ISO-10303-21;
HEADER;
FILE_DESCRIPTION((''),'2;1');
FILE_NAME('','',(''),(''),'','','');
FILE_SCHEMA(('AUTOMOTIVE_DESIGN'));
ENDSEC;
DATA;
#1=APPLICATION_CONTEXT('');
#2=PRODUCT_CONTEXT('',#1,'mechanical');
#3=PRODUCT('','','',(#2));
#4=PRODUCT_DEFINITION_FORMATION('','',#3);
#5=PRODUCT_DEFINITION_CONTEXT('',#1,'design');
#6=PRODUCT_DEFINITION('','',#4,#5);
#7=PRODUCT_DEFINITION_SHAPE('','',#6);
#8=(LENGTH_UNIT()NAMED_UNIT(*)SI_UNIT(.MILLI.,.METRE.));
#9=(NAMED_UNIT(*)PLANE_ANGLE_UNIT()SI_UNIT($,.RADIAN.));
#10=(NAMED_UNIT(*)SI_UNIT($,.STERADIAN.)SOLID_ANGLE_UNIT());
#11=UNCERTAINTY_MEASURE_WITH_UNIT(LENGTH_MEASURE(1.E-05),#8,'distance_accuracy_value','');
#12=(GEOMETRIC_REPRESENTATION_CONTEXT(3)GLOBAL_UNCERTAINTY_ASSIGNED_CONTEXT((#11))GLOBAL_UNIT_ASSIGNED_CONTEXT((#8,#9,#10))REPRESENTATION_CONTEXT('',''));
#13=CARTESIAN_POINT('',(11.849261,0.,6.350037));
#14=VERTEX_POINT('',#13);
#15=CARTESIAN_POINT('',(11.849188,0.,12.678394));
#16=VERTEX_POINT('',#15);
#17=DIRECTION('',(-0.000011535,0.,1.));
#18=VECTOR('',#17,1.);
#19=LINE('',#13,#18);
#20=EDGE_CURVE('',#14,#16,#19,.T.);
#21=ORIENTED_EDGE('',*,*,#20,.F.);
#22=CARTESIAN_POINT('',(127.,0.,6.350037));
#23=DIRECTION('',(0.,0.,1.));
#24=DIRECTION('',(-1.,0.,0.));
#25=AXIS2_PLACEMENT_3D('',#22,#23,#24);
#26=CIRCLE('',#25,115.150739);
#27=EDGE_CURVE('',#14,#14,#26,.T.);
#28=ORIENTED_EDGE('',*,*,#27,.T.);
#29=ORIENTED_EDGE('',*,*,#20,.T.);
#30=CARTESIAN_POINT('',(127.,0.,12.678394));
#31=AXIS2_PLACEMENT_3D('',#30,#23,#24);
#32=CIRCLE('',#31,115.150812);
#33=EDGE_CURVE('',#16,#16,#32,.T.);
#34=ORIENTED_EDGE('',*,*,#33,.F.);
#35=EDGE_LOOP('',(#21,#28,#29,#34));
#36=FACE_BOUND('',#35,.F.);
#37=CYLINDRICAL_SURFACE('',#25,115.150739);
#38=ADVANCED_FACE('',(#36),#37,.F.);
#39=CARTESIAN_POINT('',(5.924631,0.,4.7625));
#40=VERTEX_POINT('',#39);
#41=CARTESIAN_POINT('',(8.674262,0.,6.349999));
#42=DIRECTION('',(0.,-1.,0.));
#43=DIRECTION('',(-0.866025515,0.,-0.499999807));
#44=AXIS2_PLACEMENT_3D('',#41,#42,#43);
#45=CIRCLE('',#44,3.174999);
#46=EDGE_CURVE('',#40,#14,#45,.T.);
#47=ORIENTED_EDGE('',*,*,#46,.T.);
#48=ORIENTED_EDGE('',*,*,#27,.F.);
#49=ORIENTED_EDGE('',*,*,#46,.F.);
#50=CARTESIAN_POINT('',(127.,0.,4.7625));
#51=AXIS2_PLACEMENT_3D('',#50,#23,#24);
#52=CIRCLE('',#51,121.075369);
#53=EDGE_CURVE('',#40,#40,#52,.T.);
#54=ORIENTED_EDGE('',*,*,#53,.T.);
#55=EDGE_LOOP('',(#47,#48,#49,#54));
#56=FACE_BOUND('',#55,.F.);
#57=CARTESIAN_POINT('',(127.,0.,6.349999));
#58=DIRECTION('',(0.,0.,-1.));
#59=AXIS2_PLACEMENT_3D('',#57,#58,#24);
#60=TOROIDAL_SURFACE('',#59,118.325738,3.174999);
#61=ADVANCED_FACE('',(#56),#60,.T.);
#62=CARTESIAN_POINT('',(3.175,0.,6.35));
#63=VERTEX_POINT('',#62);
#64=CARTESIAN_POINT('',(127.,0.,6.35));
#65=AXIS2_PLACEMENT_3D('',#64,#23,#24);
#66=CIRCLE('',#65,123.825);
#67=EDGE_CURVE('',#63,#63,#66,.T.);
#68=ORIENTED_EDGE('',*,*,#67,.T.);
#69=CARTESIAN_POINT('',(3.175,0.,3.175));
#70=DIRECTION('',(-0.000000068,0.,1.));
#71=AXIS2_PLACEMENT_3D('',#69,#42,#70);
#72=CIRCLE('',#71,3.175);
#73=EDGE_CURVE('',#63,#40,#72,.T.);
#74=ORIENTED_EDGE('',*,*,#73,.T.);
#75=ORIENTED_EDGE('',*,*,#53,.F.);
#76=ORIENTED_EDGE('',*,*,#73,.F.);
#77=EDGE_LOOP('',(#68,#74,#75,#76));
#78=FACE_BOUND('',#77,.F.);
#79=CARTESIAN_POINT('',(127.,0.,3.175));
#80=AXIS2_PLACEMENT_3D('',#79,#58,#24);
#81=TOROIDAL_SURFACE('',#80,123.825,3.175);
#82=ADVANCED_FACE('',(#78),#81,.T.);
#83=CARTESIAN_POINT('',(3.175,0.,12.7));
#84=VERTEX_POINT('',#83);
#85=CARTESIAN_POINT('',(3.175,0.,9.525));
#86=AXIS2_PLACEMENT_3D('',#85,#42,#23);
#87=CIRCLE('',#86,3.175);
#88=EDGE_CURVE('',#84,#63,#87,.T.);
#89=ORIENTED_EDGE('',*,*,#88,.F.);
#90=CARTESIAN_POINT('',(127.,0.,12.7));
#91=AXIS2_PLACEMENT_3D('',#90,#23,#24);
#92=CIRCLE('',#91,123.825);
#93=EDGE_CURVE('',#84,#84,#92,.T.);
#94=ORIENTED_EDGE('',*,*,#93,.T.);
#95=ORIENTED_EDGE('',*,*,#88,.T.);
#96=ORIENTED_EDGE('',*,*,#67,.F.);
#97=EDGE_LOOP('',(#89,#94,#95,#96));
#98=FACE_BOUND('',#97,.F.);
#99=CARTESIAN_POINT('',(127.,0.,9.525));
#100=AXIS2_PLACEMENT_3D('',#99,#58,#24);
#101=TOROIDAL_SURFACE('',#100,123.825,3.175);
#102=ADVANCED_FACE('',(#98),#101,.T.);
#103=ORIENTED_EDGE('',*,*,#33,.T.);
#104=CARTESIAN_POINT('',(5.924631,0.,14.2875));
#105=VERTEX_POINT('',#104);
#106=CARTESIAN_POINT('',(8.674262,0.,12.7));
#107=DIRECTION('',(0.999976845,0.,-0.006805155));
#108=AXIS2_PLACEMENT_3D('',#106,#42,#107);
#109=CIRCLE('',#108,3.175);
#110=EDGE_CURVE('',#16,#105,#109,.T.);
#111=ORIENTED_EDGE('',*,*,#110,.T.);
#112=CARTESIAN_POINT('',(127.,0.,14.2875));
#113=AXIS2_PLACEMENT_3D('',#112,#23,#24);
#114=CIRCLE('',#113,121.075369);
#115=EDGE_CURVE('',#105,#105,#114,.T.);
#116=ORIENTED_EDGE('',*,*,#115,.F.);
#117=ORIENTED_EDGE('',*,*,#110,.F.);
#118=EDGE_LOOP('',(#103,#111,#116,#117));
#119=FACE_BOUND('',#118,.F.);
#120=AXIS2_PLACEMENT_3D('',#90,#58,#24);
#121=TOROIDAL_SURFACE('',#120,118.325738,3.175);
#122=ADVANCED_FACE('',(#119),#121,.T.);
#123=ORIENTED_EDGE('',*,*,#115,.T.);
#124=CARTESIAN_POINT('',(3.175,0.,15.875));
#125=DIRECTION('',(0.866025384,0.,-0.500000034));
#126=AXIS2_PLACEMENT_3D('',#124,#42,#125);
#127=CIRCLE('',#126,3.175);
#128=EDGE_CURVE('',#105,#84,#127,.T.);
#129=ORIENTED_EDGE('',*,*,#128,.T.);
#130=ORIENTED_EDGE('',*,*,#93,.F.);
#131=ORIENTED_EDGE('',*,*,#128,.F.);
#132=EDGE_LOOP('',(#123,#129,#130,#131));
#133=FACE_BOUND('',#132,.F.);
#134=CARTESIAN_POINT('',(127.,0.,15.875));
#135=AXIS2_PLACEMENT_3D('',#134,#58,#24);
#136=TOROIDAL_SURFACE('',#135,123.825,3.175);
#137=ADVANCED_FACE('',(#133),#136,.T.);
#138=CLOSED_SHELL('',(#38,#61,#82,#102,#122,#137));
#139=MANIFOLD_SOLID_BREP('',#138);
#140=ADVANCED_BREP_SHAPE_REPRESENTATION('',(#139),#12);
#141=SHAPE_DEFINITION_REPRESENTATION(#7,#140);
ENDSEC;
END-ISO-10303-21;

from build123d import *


with BuildPart() as f1:
    # F0 (on Front) → F1 (revolve)
    with BuildSketch(Plane.XZ):
        with BuildLine():
            ThreePointArc((3.175, 12.7), (0, 9.525), (3.175, 6.35))
            ThreePointArc((3.175, 6.35), (1.5875, 0.425369), (5.924631, 4.7625))
            ThreePointArc((5.924631, 4.7625), (9.49603, 3.28319), (11.849261, 6.350037))
            Line((11.849261, 6.350037), (11.849188, 12.678394))
            ThreePointArc((11.849188, 12.678394), (9.506442, 15.764001), (5.924631, 14.2875))
            ThreePointArc((5.924631, 14.2875), (1.5875, 18.624631), (3.175, 12.7))
        make_face()
    revolve(axis=Axis((127, 0, 18.249311), (0, 0, 1)))


solid = f1.part
